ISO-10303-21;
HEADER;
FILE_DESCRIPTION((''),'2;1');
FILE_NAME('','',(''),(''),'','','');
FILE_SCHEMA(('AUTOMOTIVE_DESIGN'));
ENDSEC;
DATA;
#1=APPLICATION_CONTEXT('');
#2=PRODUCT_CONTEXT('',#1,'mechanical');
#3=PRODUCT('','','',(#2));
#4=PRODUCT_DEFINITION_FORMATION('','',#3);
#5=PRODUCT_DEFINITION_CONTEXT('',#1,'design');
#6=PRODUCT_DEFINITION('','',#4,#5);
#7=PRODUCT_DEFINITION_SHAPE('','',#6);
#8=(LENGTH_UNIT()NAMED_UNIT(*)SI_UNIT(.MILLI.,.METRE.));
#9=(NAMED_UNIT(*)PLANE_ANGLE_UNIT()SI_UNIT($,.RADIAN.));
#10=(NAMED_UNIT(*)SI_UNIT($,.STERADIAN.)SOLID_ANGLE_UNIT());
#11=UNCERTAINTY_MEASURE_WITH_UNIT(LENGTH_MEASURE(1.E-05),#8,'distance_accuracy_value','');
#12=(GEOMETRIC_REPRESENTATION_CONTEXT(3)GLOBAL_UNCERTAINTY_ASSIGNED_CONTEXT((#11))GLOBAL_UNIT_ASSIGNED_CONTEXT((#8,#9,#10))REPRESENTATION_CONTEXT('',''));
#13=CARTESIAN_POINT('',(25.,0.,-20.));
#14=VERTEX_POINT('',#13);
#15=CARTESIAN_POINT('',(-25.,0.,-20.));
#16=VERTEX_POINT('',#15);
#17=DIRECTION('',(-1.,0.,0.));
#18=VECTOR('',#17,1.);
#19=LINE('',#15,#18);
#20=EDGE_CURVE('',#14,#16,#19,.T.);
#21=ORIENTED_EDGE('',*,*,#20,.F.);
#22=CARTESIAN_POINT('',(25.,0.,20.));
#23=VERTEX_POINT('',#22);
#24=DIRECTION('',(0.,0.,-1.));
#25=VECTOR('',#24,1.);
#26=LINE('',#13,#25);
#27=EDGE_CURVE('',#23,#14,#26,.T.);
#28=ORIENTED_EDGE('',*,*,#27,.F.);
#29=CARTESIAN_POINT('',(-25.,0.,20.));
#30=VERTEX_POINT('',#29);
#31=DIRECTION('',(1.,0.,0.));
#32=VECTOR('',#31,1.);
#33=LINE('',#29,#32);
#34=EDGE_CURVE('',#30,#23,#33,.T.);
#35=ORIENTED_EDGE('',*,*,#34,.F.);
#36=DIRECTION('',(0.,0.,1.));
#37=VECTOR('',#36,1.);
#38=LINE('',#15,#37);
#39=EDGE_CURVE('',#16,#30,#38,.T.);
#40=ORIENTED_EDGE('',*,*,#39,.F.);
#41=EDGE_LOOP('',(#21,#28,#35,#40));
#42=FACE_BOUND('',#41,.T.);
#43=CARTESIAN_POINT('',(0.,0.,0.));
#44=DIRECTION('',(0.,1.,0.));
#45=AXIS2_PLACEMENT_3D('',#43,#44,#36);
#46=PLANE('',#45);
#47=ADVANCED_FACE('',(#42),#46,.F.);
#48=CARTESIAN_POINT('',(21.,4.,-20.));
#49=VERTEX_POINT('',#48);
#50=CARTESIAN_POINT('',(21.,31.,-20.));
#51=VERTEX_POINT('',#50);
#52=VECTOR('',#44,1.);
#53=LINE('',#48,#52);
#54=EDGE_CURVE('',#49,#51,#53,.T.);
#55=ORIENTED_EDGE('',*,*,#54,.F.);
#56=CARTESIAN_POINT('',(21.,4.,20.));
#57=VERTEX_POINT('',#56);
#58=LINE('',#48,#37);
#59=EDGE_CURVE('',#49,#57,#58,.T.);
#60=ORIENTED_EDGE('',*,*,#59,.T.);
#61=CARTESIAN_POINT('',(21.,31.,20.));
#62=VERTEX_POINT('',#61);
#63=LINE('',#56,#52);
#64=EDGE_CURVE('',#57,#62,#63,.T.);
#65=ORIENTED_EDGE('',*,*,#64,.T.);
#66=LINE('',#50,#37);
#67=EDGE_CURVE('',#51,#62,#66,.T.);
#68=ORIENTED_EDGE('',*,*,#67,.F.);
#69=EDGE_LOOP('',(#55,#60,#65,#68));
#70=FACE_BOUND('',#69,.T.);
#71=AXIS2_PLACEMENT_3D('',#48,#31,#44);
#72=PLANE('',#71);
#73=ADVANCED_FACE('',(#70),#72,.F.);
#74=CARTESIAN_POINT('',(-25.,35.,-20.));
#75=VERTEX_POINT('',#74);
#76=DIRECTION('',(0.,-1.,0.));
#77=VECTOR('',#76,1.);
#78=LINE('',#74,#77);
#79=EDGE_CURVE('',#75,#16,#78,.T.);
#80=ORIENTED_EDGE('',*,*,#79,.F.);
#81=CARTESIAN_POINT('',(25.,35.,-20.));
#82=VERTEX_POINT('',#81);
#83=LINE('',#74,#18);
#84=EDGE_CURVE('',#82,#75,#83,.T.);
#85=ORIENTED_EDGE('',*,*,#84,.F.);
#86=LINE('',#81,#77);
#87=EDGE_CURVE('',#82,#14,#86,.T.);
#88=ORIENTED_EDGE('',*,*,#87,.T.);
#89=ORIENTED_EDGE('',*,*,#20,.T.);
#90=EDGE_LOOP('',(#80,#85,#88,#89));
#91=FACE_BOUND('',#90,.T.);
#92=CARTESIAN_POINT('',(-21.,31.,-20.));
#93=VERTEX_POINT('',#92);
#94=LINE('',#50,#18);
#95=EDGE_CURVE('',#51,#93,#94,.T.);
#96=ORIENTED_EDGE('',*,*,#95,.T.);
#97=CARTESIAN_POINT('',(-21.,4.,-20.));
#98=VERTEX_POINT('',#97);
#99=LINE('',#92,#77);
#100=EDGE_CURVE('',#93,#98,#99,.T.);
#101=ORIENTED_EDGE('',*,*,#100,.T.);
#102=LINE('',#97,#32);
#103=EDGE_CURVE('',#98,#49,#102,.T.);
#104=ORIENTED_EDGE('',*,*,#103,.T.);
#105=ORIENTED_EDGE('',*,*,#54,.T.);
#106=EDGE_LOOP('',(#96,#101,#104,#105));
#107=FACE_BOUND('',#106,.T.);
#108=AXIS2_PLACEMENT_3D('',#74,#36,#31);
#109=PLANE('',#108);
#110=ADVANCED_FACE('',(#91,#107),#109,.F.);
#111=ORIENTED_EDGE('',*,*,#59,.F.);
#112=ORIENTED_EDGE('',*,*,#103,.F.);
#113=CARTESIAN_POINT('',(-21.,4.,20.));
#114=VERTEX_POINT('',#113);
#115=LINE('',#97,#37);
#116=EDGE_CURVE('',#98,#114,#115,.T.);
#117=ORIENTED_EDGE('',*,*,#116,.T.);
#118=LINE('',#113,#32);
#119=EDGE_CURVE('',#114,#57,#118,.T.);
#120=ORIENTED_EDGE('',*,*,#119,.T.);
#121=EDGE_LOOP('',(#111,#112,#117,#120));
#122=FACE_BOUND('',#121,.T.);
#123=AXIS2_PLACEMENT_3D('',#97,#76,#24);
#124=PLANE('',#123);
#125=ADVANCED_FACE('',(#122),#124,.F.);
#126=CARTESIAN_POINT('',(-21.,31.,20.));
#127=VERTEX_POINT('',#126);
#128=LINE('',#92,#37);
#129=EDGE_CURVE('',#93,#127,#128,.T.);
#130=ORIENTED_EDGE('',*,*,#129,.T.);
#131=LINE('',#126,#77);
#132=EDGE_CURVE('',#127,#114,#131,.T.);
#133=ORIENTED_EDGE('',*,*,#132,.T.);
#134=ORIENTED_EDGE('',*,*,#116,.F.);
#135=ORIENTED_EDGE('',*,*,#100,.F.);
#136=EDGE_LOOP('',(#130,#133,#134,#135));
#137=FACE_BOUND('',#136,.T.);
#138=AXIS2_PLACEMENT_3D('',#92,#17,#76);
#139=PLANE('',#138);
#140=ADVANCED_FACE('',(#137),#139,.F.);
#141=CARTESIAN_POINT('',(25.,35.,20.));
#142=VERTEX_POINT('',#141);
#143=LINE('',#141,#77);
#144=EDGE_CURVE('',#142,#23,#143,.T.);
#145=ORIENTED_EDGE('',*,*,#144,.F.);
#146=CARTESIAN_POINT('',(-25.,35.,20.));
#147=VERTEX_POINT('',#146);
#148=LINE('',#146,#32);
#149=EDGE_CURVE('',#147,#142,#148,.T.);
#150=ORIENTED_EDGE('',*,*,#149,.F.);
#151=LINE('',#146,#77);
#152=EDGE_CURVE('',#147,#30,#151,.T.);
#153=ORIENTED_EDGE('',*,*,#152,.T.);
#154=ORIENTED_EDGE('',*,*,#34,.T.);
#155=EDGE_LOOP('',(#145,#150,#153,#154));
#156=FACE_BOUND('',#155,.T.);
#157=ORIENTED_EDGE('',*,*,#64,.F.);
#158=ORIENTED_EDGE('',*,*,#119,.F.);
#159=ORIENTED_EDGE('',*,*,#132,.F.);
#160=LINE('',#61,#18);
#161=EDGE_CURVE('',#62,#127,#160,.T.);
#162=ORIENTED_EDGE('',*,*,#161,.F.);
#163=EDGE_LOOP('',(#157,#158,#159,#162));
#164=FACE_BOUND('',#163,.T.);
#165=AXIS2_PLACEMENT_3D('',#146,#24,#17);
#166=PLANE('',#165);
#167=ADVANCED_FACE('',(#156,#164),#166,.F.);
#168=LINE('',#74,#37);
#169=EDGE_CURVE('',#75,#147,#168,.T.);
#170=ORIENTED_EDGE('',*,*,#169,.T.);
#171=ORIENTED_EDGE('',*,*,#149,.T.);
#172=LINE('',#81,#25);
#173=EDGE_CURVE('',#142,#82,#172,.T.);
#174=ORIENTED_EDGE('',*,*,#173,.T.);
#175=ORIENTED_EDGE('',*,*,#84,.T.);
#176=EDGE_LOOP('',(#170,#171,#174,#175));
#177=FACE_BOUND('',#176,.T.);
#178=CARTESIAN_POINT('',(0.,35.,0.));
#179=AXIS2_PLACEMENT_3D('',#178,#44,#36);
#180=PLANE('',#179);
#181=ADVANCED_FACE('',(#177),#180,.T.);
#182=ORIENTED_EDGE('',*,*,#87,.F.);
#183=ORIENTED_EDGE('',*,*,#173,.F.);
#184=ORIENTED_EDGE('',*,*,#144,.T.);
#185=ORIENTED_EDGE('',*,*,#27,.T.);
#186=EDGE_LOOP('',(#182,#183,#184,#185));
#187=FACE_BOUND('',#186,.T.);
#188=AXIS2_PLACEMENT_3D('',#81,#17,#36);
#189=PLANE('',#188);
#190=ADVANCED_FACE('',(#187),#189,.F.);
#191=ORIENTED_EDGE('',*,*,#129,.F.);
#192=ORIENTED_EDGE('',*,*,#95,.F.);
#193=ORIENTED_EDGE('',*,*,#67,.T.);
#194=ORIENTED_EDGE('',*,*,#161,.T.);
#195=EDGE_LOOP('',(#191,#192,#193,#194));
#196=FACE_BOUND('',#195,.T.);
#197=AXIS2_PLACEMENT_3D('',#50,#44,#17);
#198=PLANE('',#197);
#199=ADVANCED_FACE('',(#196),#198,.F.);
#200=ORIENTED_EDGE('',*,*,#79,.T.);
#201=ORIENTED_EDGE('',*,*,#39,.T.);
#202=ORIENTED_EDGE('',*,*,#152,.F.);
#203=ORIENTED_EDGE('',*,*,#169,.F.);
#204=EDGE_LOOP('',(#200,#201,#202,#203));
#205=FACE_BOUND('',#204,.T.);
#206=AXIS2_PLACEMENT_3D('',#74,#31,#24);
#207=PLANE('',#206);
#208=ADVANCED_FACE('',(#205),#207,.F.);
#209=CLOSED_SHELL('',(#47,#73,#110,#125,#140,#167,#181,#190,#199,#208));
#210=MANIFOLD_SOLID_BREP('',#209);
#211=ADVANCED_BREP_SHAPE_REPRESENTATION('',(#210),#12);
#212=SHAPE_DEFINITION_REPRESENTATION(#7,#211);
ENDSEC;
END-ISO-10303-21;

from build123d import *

# Parameters (mm, degrees)
SKETCH1_W           = 50
SKETCH1_H           = 40
BOSS_EXTRUDE1_DEPTH = 35
SKETCH2_W           = 42
SKETCH2_H           = 27
CUT_EXTRUDE1_DEPTH  = 59.736700622


with BuildPart() as part:
    # Sketch1 → Boss-Extrude1 (new body)
    with BuildSketch(Plane(origin=(0, 0, 0), x_dir=(1, 0, 0), z_dir=(0, 1, 0))):
        Rectangle(SKETCH1_W, SKETCH1_H)
    extrude(amount=BOSS_EXTRUDE1_DEPTH)

    # Sketch2 → Cut-Extrude1 (cut, through all)
    with BuildSketch(Plane.XY.offset(20)):
        with Locations((0, 17.5)):
            Rectangle(SKETCH2_W, SKETCH2_H)
    extrude(amount=-CUT_EXTRUDE1_DEPTH, mode=Mode.SUBTRACT)


solid = part.part
